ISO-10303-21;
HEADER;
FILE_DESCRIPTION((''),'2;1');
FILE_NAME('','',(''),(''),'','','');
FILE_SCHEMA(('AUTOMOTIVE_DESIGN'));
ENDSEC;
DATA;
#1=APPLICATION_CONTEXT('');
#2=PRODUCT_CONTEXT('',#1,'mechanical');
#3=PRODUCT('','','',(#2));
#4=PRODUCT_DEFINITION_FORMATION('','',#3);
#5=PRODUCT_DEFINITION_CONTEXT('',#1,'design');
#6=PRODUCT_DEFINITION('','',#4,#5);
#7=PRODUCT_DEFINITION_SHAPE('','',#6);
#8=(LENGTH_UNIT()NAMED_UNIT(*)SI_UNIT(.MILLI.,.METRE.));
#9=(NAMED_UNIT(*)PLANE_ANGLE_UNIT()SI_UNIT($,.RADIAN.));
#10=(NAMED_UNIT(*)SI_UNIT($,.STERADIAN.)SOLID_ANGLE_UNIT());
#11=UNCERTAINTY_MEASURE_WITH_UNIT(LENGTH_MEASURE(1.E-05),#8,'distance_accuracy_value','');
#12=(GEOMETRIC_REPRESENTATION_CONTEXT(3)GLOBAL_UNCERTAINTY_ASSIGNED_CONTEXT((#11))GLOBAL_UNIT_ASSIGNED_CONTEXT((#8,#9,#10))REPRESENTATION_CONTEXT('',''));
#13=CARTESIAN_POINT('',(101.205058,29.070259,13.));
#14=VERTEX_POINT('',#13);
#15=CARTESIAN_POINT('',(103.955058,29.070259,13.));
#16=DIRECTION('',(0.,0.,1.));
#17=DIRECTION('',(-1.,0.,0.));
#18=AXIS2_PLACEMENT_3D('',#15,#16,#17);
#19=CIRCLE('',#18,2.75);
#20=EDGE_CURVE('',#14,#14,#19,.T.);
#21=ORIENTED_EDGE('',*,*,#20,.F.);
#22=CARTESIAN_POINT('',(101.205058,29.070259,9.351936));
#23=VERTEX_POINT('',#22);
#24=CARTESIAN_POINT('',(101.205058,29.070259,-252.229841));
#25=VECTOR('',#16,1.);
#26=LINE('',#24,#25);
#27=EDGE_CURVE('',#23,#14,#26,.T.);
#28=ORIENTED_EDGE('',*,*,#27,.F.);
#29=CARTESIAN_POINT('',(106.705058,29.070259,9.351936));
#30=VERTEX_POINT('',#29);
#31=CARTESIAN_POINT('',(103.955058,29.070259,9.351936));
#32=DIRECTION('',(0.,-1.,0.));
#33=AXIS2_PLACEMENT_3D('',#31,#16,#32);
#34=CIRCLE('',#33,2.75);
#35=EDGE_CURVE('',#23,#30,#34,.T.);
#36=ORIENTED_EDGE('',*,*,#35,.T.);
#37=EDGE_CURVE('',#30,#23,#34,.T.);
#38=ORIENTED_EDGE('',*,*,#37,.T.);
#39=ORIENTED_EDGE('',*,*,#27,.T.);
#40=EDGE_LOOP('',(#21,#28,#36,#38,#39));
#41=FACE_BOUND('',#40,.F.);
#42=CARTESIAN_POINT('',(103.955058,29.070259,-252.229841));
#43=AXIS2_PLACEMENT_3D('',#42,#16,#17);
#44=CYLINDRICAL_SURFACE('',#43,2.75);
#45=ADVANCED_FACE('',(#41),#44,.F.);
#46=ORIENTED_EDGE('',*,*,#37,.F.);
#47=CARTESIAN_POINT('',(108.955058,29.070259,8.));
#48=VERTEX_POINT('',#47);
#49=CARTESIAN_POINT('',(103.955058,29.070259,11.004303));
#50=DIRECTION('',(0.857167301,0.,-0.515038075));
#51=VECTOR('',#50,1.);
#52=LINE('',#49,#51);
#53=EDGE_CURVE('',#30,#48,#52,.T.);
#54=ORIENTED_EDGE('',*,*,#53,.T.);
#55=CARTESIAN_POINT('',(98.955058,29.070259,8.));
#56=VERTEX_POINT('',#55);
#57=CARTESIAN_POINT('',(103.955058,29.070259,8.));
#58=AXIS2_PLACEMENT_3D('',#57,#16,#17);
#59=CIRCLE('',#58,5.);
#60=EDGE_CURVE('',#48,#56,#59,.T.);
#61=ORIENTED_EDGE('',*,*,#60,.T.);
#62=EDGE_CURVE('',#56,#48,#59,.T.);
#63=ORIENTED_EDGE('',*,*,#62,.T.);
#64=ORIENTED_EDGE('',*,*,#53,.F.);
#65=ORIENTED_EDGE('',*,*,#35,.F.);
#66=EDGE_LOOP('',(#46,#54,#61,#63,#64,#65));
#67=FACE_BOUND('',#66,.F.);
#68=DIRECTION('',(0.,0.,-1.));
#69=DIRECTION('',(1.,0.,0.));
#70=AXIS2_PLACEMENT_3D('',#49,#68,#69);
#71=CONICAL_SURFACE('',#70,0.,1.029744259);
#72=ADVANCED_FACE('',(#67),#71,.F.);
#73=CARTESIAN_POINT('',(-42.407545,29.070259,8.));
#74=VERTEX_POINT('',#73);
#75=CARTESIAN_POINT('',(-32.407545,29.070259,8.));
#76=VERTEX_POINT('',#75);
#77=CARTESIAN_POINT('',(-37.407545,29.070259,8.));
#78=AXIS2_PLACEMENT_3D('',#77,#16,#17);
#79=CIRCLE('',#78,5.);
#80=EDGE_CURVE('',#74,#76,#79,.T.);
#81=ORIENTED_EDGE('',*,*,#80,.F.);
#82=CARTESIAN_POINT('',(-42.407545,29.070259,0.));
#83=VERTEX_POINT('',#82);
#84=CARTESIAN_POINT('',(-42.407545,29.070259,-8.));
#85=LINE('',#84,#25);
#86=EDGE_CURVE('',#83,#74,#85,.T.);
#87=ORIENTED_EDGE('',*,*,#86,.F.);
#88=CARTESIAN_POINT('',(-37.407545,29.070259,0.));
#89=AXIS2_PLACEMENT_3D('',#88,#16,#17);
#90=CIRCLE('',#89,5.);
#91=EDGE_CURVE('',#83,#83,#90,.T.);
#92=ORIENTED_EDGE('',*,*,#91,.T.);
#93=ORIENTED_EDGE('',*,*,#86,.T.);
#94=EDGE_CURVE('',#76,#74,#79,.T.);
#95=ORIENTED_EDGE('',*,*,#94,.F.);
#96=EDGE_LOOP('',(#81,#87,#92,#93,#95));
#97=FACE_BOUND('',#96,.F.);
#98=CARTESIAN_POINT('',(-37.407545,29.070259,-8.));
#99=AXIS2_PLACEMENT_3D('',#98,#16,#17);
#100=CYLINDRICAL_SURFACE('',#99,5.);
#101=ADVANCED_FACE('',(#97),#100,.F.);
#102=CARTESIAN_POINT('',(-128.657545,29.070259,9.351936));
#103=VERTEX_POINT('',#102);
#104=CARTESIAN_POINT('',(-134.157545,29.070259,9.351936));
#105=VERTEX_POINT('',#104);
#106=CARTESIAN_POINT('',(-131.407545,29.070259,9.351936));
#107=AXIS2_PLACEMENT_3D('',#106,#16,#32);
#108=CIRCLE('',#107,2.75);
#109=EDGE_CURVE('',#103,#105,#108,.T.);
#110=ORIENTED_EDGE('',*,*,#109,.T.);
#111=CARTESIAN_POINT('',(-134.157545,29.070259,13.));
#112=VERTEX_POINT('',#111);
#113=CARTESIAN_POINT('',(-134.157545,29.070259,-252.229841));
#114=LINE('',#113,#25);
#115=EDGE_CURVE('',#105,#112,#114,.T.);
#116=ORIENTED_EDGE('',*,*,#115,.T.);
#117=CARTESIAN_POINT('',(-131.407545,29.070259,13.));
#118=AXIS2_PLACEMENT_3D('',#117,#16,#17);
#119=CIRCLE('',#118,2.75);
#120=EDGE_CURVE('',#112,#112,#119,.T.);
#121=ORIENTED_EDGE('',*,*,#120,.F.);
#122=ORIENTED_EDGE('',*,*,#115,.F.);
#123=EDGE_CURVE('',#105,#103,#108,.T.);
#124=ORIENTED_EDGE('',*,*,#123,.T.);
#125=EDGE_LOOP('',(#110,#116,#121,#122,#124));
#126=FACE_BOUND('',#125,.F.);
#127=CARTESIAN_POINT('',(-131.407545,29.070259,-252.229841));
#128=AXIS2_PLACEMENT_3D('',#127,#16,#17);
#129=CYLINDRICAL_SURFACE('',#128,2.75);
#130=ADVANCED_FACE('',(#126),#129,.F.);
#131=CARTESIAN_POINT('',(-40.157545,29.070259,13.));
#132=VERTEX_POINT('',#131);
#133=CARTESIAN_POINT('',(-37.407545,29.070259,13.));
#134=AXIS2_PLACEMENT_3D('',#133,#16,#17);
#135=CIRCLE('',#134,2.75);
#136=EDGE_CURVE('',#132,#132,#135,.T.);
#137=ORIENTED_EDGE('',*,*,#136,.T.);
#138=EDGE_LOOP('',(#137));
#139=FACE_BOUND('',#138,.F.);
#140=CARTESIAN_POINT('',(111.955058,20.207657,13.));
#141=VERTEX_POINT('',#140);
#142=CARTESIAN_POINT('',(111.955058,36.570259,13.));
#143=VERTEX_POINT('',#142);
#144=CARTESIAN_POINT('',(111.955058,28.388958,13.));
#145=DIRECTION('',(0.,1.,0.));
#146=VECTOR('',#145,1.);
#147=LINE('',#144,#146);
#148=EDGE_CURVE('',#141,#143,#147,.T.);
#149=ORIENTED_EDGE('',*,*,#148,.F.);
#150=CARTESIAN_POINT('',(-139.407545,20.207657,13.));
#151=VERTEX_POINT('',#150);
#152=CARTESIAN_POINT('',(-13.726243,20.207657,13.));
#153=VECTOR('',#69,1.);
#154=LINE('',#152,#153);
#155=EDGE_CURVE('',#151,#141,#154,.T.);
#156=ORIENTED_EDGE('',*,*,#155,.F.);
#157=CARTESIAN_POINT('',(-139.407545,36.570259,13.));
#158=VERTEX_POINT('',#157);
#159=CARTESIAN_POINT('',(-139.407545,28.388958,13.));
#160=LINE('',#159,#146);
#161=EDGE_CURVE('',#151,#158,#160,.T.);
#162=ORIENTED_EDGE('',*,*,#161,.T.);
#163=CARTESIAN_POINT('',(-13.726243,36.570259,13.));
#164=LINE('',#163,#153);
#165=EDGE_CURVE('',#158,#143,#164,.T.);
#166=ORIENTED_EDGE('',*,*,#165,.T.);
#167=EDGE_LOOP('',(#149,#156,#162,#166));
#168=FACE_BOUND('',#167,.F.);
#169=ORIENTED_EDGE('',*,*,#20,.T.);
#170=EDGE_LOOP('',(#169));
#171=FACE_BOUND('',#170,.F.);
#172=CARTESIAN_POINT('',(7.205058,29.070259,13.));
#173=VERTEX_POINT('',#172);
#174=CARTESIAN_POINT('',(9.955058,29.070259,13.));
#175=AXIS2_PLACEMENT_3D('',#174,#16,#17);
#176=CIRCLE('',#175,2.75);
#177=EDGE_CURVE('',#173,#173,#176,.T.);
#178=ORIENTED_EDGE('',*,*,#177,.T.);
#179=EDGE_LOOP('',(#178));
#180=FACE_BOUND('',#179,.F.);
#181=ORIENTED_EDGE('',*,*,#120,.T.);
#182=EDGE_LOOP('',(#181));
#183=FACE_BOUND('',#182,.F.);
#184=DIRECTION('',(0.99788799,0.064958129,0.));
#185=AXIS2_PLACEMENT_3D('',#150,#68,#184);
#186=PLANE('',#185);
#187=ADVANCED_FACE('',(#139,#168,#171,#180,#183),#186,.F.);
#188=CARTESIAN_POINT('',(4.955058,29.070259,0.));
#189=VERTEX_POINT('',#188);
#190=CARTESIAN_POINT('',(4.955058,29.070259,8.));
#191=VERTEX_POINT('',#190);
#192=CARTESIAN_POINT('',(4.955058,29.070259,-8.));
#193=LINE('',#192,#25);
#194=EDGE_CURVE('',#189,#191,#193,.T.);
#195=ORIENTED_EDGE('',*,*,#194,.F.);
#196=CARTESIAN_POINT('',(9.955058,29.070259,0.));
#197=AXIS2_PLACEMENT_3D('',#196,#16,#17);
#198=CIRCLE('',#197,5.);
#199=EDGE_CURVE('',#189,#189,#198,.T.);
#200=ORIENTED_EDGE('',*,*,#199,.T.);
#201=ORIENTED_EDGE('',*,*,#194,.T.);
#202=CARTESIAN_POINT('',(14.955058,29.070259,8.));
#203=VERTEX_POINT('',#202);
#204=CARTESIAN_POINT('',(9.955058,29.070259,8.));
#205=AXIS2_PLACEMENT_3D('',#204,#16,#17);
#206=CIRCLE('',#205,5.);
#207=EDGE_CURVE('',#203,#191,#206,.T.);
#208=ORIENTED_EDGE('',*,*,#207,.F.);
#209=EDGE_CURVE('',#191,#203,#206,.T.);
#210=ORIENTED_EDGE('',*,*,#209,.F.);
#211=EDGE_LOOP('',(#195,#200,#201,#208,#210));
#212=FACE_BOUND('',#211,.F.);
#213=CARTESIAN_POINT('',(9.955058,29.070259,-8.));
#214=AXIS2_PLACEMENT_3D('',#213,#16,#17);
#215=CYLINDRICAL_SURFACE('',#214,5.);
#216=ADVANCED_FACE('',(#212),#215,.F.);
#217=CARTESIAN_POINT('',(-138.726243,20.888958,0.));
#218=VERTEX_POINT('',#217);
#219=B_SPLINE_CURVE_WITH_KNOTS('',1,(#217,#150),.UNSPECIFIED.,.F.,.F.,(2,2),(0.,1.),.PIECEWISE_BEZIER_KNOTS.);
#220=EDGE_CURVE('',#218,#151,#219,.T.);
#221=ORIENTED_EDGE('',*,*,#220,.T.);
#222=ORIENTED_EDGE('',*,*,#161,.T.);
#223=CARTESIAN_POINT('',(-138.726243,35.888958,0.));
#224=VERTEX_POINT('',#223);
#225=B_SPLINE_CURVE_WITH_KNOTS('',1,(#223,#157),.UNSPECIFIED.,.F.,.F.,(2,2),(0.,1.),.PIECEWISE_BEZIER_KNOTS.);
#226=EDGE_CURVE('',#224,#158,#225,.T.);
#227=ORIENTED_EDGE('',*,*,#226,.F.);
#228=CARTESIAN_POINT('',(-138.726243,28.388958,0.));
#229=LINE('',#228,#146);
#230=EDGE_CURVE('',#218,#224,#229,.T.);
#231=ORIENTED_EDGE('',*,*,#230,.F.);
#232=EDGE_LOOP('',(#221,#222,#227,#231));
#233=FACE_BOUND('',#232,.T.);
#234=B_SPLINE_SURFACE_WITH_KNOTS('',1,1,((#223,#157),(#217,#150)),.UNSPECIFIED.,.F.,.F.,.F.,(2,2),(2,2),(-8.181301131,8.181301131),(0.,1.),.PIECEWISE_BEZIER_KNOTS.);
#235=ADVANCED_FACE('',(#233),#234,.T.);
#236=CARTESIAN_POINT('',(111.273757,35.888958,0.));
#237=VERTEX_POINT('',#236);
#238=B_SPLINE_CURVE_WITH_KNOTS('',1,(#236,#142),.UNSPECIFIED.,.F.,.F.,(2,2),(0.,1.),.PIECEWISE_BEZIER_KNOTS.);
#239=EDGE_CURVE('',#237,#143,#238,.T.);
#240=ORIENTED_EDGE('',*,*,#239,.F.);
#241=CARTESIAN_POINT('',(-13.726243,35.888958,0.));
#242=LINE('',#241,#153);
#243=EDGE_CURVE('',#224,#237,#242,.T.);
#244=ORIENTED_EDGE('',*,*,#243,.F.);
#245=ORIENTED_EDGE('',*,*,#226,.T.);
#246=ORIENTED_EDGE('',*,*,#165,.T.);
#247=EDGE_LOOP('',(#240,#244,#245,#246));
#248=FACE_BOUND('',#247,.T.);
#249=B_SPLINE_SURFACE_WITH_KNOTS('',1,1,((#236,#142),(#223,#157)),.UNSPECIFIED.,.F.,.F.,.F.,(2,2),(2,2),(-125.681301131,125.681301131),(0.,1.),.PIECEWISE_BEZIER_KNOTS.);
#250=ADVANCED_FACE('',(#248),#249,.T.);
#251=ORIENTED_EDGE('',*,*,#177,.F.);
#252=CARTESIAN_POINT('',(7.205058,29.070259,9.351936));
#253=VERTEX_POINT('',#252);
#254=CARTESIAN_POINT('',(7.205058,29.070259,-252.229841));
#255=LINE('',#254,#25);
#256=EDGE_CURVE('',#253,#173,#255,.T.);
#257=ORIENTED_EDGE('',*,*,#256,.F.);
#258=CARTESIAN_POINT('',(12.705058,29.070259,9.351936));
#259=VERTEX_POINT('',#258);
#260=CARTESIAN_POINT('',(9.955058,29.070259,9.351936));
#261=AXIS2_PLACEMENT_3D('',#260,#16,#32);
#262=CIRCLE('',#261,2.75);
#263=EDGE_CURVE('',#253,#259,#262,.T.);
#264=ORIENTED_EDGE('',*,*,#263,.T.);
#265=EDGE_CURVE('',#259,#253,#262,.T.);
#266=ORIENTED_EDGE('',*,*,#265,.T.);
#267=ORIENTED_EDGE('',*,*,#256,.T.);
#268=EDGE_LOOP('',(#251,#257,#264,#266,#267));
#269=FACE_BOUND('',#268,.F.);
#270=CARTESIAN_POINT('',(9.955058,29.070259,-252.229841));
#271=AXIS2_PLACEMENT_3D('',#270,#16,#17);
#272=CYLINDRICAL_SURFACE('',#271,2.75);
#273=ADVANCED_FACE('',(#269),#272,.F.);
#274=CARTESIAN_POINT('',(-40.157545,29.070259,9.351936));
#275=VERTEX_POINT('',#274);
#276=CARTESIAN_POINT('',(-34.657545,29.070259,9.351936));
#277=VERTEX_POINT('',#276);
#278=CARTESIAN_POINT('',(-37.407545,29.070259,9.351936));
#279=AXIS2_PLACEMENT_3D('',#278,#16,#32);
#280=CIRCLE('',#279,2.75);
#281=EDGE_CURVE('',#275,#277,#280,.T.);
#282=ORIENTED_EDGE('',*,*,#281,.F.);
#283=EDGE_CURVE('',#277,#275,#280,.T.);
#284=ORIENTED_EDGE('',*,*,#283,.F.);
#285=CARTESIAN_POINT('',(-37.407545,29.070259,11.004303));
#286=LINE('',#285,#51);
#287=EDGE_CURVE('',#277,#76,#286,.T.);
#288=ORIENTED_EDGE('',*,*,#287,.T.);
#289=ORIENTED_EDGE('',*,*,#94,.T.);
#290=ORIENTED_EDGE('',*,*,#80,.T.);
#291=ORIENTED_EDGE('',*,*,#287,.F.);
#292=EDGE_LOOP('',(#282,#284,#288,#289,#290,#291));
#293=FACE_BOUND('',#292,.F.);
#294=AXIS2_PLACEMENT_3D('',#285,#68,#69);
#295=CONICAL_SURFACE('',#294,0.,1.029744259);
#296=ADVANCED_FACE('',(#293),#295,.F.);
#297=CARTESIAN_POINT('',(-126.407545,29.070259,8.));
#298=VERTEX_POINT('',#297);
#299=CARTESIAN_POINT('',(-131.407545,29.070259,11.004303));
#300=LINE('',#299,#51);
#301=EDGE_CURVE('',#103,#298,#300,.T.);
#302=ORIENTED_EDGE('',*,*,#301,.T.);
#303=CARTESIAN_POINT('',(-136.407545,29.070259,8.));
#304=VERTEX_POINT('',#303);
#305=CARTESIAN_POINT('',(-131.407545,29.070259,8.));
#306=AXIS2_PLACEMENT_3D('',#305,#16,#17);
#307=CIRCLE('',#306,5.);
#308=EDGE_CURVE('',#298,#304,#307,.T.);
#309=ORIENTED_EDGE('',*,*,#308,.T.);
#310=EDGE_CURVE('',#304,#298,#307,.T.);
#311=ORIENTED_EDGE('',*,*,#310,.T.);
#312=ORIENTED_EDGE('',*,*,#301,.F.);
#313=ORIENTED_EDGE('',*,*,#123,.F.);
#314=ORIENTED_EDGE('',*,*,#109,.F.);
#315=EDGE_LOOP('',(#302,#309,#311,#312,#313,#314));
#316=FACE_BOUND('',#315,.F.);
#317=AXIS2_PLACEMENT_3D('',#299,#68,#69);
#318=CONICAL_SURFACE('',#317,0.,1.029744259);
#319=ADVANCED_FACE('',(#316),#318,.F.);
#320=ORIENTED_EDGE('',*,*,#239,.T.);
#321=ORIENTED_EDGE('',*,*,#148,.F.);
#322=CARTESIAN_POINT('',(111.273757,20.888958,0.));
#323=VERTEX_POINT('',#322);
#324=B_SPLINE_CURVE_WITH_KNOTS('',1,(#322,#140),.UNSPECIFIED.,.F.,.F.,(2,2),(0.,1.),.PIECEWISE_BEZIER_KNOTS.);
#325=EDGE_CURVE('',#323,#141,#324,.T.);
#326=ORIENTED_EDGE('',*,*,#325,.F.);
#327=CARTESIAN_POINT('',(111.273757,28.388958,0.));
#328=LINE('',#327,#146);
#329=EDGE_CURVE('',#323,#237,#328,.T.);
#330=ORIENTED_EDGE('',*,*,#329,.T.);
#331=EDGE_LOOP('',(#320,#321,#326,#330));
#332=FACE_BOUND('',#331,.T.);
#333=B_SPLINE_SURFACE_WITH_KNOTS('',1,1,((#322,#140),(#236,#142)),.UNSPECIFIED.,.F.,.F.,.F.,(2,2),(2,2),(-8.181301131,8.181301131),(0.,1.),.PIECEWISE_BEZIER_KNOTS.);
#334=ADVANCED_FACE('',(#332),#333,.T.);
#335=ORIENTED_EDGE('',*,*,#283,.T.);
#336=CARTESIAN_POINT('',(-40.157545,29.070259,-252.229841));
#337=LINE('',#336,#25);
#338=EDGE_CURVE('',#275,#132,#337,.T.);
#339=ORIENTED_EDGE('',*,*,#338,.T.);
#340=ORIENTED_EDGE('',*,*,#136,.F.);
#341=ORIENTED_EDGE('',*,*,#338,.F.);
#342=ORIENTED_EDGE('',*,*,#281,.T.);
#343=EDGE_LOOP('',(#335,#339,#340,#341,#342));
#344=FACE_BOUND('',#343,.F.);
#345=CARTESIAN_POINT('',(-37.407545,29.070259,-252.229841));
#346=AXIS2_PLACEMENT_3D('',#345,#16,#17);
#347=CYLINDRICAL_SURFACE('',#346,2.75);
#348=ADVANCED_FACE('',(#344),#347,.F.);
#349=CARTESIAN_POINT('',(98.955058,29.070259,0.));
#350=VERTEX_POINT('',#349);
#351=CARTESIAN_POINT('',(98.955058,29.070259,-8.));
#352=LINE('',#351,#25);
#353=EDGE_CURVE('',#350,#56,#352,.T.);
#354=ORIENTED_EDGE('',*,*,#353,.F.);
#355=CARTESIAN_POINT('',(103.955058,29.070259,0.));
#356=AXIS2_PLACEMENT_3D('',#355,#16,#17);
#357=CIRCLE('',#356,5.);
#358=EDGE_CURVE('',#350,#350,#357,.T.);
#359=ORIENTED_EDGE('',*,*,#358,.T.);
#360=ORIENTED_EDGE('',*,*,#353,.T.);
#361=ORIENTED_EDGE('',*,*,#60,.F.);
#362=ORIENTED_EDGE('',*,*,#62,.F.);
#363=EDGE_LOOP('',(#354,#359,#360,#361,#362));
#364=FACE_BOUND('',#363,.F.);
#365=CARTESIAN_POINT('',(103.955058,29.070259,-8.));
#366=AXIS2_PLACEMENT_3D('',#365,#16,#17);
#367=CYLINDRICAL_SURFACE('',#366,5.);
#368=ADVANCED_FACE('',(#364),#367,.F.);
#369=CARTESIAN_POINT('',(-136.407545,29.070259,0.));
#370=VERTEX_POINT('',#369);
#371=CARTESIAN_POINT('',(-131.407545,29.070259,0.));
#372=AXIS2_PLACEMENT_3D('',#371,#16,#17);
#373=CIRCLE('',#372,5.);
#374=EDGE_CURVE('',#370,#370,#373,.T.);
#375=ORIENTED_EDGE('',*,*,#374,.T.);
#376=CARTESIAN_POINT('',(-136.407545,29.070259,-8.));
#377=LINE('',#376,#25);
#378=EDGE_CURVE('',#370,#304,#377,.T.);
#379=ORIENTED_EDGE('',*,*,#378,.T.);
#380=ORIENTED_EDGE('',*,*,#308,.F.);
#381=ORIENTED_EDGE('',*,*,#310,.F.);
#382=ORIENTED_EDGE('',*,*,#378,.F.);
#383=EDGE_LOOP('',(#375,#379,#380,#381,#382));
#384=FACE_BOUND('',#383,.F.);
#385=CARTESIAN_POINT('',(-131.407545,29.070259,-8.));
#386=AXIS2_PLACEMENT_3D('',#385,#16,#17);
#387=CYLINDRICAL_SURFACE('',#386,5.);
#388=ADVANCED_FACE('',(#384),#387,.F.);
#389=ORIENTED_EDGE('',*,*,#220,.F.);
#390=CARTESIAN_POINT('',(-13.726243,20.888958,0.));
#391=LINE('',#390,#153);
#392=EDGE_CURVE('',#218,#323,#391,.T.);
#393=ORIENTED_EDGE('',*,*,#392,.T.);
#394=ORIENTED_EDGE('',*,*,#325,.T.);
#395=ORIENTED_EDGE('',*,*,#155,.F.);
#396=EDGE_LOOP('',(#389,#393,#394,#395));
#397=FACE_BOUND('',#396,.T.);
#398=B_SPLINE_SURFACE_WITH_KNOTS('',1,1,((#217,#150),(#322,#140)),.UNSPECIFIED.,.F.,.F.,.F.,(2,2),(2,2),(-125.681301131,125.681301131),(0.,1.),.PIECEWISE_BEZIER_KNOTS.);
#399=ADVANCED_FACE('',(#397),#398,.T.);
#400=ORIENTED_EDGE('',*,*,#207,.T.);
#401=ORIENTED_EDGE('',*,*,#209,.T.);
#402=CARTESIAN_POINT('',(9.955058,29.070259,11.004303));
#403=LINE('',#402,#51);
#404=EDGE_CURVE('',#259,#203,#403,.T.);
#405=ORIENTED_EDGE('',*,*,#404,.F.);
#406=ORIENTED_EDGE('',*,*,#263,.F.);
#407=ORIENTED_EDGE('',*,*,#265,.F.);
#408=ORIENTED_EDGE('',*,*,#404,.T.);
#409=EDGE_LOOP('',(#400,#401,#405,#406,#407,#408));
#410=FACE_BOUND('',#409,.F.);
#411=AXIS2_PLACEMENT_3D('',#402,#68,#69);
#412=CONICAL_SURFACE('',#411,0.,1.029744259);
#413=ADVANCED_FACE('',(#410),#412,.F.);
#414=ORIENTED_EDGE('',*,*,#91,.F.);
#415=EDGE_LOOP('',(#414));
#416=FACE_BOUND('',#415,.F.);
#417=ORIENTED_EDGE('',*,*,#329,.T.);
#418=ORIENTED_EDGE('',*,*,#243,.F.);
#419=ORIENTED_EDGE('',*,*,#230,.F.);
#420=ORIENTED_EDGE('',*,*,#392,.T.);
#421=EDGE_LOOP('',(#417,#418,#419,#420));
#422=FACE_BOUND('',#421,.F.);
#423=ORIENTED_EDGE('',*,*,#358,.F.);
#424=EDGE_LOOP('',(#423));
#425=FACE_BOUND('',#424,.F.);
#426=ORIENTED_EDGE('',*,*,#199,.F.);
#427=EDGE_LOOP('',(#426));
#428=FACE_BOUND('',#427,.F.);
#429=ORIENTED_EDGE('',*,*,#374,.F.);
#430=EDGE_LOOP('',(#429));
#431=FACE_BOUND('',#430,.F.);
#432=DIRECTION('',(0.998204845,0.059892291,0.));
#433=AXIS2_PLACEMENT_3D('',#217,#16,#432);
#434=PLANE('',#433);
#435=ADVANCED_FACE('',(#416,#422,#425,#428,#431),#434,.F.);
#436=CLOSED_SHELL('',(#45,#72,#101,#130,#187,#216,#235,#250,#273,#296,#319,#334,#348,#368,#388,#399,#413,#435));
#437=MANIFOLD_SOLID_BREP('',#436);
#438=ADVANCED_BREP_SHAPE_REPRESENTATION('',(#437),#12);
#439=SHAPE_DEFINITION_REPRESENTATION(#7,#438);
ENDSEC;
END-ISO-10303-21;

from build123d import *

# Parameters (mm, degrees)
F0_W     = 250
F0_H     = 15
F1_DEPTH = 13
F1_TAPER = -3
F3_D     = 5.5
F4_D     = 10
F4_DEPTH = 8
F4_TIP   = 3.0043030951


with BuildPart() as f1:
    # F0 (on Top) → F1 (new body)
    with BuildSketch(Plane.XY):
        with Locations((-13.7262433767, 28.3889581655)):
            Rectangle(F0_W, F0_H)
    extrude(amount=F1_DEPTH, taper=F1_TAPER)

    # F3 (through all)
    with Locations(Plane(origin=(0, 0, 0), x_dir=(1, 0, 0), z_dir=(0, 0, -1))):
        with Locations((-131.4075445074, -29.0702592962), (-37.4075445074, -29.0702592962), (9.9550577539, -29.0702592962), (103.9550577539, -29.0702592962)):
            Hole(F3_D / 2)

    # F4
    with Locations(Plane(origin=(0, 0, 0), x_dir=(1, 0, 0), z_dir=(0, 0, -1))):
        with Locations((-37.4075445074, -29.0702592962), (9.9550577539, -29.0702592962), (103.9550577539, -29.0702592962), (-131.4075445074, -29.0702592962)):
            Hole(F4_D / 2, depth=F4_DEPTH)
            with Locations((0, 0, -(F4_DEPTH + F4_TIP / 2))):  # 118° drill point
                Cone(0, F4_D / 2, F4_TIP, mode=Mode.SUBTRACT)


solid = f1.part
